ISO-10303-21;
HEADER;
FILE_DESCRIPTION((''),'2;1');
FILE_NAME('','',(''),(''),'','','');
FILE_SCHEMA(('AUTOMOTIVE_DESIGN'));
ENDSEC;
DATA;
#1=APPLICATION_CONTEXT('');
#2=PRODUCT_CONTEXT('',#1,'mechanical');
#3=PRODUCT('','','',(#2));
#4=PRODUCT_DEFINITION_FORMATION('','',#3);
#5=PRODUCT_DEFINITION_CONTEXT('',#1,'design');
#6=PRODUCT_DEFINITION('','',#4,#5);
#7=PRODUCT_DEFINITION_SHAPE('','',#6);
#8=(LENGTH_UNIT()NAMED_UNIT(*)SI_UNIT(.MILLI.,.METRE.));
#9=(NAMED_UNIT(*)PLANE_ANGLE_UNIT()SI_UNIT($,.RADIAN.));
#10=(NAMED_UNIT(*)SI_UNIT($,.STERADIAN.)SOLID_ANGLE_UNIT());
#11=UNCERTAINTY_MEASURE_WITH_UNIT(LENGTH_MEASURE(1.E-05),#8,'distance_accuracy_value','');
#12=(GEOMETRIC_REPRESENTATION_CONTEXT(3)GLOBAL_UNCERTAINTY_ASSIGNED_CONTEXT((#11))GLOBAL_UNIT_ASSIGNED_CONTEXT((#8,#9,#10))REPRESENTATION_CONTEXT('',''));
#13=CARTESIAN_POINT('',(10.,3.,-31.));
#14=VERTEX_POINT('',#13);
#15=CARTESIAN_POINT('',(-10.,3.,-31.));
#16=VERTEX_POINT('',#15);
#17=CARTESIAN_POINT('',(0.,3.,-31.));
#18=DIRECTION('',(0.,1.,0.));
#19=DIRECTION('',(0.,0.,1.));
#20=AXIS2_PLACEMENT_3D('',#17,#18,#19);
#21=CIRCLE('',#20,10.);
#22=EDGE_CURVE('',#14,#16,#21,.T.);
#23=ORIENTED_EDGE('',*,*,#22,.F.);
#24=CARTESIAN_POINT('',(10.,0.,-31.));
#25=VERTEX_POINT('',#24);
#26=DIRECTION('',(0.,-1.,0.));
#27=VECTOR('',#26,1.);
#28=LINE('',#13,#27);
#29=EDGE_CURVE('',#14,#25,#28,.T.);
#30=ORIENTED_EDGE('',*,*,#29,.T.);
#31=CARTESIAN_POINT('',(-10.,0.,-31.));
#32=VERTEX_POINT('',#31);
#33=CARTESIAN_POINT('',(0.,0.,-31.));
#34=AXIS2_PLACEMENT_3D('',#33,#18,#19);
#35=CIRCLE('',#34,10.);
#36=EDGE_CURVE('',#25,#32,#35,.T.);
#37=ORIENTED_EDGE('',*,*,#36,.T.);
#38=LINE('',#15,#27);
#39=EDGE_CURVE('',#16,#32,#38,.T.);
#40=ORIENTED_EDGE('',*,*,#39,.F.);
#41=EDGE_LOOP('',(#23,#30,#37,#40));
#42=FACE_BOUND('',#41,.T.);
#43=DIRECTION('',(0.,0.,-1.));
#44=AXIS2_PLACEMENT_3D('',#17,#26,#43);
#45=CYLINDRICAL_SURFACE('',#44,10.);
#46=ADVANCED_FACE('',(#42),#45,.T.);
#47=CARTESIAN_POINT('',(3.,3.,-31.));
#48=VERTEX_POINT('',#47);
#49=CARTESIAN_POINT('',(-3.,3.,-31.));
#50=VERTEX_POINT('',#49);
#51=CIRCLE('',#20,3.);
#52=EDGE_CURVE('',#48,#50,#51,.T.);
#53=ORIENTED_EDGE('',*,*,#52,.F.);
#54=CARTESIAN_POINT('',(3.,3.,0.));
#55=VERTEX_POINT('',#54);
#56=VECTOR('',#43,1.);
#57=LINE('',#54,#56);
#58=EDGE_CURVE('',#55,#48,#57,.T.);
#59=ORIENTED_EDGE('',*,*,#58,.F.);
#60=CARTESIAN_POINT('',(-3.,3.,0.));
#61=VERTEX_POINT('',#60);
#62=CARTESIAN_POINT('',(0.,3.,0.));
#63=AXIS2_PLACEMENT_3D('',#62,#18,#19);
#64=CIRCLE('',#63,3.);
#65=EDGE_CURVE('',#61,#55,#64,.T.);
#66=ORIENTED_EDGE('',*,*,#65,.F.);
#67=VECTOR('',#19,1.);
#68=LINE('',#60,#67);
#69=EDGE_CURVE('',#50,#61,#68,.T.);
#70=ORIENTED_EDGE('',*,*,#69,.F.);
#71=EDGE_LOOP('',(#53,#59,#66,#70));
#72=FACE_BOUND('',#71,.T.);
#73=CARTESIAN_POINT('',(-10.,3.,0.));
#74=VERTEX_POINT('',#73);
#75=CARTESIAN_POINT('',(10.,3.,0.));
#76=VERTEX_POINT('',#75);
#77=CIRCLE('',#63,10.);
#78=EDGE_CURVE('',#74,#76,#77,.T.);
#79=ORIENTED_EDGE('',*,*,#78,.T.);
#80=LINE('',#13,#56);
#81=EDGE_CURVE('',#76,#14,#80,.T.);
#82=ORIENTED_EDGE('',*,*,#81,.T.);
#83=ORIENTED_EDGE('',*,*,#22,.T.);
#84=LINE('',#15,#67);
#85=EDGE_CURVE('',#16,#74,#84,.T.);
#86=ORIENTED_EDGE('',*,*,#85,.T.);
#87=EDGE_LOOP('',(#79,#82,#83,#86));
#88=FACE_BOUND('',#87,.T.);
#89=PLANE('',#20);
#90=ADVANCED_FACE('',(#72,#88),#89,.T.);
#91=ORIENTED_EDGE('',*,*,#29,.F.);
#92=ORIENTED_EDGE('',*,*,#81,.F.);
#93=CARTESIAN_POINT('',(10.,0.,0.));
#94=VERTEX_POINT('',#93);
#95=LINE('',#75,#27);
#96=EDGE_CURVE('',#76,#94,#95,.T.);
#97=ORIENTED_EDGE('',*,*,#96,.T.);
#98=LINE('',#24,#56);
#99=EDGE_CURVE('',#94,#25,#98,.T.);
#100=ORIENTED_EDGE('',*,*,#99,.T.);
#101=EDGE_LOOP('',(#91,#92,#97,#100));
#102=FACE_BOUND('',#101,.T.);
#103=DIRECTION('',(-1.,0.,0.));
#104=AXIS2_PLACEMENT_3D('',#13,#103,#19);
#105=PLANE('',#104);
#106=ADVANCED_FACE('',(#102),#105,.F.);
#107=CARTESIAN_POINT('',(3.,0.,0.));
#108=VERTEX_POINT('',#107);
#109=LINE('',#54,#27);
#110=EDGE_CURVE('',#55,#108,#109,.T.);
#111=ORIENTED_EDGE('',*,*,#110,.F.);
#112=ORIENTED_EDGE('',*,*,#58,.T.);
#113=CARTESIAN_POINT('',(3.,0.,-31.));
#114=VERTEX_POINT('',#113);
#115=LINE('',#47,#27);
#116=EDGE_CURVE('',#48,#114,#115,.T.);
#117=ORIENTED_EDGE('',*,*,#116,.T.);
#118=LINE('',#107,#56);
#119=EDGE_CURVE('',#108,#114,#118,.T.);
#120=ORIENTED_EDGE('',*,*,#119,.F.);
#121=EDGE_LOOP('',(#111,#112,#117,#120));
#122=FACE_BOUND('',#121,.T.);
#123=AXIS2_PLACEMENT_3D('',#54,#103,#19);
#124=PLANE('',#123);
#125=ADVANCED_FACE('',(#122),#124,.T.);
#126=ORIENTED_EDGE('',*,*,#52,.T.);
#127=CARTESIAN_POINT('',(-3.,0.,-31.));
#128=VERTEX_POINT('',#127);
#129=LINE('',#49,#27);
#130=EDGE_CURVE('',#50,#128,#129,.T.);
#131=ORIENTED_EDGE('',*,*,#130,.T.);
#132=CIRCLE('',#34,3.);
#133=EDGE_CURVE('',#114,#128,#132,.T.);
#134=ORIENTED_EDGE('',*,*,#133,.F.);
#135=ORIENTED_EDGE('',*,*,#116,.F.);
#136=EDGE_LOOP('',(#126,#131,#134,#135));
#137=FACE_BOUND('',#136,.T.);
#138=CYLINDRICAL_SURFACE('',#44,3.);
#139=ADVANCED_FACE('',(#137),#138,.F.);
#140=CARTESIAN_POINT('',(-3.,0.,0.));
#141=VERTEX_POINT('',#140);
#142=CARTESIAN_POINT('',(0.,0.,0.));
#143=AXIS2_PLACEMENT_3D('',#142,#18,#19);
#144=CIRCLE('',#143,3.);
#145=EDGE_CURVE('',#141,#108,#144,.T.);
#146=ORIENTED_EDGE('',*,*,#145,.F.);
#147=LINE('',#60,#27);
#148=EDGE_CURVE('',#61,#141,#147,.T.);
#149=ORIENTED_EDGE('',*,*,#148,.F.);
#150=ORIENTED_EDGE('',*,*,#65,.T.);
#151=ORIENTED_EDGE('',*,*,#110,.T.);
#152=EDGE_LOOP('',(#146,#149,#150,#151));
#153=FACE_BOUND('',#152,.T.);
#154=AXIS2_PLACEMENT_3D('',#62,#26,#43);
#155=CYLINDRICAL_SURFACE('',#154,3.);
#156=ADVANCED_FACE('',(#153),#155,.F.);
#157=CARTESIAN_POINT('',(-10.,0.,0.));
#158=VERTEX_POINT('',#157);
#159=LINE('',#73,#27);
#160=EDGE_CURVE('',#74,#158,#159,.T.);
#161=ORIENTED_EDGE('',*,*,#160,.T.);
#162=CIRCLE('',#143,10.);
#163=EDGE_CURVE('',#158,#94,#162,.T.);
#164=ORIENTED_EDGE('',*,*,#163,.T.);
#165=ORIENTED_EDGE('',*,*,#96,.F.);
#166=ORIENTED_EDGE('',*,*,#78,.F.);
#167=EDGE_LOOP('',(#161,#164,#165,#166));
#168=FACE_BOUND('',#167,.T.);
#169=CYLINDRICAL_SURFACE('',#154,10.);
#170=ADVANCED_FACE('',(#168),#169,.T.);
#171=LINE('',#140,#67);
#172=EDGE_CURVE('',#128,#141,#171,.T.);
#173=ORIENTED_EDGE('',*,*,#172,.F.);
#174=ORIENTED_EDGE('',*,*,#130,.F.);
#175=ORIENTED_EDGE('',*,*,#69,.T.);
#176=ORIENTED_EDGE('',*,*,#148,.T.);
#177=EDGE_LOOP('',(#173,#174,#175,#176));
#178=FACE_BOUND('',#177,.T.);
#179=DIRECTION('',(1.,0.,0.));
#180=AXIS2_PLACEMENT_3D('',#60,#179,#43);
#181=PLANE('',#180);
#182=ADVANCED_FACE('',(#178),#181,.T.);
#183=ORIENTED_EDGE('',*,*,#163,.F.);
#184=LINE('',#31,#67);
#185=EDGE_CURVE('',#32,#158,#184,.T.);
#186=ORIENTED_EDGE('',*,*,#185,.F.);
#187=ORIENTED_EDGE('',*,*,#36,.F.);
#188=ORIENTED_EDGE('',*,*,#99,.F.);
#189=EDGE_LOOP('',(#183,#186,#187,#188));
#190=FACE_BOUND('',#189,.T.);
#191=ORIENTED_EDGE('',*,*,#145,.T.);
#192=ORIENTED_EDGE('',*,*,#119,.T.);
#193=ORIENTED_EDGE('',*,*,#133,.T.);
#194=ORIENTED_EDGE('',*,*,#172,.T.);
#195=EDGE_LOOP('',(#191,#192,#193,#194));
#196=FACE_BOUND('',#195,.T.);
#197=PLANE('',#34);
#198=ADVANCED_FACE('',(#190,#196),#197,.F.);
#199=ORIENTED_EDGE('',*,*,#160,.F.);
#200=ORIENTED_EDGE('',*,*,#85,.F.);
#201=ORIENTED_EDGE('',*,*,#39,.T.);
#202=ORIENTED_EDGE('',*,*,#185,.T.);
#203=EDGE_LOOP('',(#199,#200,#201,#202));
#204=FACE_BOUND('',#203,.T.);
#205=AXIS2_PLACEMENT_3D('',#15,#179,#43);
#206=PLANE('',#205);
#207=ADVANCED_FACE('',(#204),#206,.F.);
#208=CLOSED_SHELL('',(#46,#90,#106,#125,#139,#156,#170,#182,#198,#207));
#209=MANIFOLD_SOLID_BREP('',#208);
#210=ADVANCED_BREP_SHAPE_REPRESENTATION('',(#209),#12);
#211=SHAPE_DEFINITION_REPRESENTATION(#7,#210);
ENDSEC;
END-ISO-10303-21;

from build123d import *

# Parameters (mm, degrees)
BOSS_EXTRUDE1_DEPTH = 3


with BuildPart() as part:
    # Sketch1 → Boss-Extrude1 (new body)
    with BuildSketch(Plane(origin=(0, 0, 0), x_dir=(1, 0, 0), z_dir=(0, 1, 0))):
        with BuildLine():
            Line((10, 31), (10, 0))
            ThreePointArc((10, 0), (0, -10), (-10, 0))
            Line((-10, 0), (-10, 31))
            ThreePointArc((-10, 31), (0, 41), (10, 31))
        make_face()
        with BuildLine():
            Line((-3, 0), (-3, 31))
            ThreePointArc((-3, 31), (0, 34), (3, 31))
            Line((3, 31), (3, 0))
            ThreePointArc((3, 0), (0, -3), (-3, 0))
        make_face(mode=Mode.SUBTRACT)
    extrude(amount=BOSS_EXTRUDE1_DEPTH)


solid = part.part
